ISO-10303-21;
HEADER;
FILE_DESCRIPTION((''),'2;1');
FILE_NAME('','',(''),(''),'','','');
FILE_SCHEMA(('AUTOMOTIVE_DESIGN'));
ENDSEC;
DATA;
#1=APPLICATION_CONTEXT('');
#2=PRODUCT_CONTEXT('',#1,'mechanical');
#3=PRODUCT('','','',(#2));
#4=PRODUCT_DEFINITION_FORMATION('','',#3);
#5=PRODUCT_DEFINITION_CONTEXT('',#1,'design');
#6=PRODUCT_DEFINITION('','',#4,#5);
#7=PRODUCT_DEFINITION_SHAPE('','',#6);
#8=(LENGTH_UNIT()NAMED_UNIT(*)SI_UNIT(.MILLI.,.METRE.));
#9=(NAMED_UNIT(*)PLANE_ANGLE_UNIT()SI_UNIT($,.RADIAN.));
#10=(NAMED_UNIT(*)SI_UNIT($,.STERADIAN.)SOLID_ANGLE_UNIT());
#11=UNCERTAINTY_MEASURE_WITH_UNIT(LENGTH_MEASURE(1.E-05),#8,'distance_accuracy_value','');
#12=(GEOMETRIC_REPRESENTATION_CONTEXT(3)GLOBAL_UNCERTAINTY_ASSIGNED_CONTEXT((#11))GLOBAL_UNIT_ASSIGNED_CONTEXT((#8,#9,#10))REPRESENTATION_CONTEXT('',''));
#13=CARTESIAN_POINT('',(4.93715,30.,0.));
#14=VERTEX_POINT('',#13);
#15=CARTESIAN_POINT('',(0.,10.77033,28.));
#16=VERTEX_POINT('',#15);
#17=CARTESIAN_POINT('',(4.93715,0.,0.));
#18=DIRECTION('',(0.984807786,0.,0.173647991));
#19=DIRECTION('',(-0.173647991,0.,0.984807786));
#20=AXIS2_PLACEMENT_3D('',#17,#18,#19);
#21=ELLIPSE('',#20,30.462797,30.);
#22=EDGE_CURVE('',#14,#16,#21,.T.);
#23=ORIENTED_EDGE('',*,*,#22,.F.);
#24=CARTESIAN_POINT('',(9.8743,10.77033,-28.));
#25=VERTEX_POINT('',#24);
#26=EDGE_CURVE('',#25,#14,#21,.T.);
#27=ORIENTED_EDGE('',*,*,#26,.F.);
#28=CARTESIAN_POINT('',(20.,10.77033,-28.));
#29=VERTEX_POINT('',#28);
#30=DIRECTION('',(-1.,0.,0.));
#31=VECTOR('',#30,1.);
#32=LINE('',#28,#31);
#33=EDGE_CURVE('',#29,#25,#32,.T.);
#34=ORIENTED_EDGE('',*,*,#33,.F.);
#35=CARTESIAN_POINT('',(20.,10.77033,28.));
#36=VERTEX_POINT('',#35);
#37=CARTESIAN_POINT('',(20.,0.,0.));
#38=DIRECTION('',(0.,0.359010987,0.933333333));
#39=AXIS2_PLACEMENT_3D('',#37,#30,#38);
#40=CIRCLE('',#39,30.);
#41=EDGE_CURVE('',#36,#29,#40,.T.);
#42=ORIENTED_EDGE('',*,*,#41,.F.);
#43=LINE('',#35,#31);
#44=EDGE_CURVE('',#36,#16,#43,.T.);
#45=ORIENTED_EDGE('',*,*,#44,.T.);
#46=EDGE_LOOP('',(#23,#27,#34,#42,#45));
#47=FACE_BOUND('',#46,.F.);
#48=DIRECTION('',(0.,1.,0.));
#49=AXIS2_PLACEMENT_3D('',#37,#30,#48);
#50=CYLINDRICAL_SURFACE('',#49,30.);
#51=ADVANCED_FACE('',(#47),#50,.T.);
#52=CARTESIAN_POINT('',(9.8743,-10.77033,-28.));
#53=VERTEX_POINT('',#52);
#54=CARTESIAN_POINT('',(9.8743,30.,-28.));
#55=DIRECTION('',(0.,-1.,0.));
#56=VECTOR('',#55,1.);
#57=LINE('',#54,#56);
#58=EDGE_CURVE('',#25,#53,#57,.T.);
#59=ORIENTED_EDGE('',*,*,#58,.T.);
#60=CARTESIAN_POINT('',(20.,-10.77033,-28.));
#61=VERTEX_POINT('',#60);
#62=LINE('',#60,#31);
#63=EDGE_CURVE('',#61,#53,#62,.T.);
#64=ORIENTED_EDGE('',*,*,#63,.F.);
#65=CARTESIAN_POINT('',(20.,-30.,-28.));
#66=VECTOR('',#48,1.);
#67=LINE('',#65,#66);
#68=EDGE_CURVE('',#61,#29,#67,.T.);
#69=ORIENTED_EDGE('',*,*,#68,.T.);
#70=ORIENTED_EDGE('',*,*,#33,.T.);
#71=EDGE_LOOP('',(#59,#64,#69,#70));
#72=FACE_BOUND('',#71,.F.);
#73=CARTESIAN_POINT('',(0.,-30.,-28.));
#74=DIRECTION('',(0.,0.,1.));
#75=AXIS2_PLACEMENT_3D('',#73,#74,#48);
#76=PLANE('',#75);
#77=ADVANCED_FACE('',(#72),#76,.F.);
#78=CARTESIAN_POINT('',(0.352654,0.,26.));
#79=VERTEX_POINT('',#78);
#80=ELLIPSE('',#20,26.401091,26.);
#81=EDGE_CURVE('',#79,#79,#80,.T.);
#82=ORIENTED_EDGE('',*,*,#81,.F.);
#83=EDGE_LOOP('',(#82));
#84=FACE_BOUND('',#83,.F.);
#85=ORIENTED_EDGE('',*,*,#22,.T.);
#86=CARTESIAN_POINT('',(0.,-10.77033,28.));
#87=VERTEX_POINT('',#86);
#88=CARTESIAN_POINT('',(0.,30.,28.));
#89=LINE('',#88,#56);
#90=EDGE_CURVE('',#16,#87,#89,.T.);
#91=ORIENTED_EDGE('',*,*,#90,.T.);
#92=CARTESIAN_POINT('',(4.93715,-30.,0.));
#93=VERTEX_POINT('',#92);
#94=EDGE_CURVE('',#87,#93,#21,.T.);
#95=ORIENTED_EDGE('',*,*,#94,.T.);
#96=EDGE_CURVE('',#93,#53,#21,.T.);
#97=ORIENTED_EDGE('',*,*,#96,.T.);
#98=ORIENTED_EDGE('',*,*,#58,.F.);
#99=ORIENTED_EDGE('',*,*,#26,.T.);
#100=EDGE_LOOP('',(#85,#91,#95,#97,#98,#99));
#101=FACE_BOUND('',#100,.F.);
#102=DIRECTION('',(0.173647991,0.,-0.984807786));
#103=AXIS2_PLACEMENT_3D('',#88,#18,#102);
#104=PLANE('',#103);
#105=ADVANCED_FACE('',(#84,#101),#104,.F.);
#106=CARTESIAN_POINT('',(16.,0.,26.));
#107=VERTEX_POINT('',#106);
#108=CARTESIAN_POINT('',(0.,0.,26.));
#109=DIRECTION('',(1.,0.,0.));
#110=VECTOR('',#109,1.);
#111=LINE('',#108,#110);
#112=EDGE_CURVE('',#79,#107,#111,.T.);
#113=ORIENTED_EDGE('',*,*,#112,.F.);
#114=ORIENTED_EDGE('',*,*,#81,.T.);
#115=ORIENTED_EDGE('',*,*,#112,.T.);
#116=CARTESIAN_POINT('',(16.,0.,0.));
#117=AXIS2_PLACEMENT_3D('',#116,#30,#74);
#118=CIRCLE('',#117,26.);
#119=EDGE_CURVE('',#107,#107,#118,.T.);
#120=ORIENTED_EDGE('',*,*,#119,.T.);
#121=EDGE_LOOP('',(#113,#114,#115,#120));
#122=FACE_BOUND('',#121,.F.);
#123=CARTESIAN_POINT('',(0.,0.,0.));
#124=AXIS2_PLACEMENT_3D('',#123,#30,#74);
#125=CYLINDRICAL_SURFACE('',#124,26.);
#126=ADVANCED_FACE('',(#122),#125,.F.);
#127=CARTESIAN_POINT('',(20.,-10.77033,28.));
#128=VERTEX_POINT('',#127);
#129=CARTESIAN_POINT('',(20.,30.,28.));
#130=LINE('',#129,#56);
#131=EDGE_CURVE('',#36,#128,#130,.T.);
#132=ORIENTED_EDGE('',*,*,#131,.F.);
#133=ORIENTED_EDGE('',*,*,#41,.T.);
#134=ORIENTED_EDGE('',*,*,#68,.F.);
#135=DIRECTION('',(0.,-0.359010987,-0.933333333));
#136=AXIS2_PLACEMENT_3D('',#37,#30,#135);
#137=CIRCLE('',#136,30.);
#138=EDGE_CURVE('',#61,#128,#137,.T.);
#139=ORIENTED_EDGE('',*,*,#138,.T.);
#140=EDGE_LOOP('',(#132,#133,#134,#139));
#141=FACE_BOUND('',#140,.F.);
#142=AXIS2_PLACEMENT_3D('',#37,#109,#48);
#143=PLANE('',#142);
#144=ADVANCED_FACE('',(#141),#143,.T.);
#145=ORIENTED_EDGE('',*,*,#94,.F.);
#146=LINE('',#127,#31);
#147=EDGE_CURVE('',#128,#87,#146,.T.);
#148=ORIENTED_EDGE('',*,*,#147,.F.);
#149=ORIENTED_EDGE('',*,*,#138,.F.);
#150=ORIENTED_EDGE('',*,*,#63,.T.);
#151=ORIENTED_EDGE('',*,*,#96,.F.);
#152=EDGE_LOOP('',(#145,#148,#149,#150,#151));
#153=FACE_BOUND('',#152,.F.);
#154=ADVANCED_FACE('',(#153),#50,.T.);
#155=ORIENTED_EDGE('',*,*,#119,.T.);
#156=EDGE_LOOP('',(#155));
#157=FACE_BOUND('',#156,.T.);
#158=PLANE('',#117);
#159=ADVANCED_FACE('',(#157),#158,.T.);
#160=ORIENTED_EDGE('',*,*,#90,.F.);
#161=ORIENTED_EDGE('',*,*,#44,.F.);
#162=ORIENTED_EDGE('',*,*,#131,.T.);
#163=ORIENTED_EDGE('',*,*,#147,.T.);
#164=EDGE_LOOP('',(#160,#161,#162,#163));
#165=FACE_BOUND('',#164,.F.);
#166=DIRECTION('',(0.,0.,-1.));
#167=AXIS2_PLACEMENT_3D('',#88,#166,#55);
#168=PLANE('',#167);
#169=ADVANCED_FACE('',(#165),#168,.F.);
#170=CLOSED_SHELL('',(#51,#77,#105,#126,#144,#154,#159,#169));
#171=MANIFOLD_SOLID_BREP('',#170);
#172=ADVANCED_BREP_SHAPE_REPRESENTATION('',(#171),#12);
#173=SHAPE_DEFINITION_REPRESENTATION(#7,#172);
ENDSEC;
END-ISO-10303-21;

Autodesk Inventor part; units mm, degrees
ref_plane "YZ Plane" through (0, 0, 0) normal (1, 0, 0) x (0, 1, 0)
ref_plane "XY Plane" through (0, 0, 0) normal (0, 0, 1) x (1, 0, 0)
sketch "Эскиз1" plane through (0, 0, 0) normal (0, 0, 1) x (1, 0, 0)
  line L0 (0, 0) -> (20, 0)
  line L1 (20, 0) -> (20, 30)
  line L2 (20, 30) -> (0, 30)
  line L3 (0, 30) -> (0, 0)
  dimension "d0" = 20
  dimension "d1" = 30
revolve "Вращение1" add sketch "Эскиз1" angle 360 about axis through (0, 0, 0) along (1, 0, 0)
sketch "Эскиз2" plane through (0, 0, 0) normal (-1, 0, 0) x (0, 0, 1)
  circle A0 centre (0, 0) radius 26
  dimension "d3" = 52
extrude "Выдавливание1" cut sketch "Эскиз2" against normal blind 16
sketch "Эскиз3" plane through (0, 0, 0) normal (-1, 0, 0) x (0, 0, 1)
  line L0 (28, -30) -> (-28, -30)
  line L1 (-28, -30) -> (-28, 30)
  line L2 (-28, 30) -> (28, 30)
  line L3 (28, 30) -> (28, -30)
  circle A0 centre (0, 0) radius 30 construction
  point P0 (0, 30)
  dimension "d6" = 56
extrude "Выдавливание2" cut sketch "Эскиз3" against normal blind 20 keep common part
ref_plane "РабПлоскость1" through (0, 30, 0) normal (0, 1, 0) x (-1, 0, 0)
sketch "Эскиз4" plane through (0, 30, 0) normal (0, 1, 0) x (-1, 0, 0)
  line L0 (-20, 28) -> (0, 28) construction
  line L1 (0, -28) -> (-20, -28) construction
  line L2 (0, -28) -> (0, 28) construction
  line L3 (-20, 28) -> (0, 28) projected
  line L4 (-20, -28) -> (-20, 28) construction
  line L5 (0, 28) -> (0, -28) projected
  line L6 (0, 28) -> (-9.8743, -28)
  line L7 (0, -28) -> (-20, -28) projected
  line L8 (0, -28) -> (-9.8743, -28)
  line L9 (0, -28) -> (0, 28)
  point P0 (0, 0)
  dimension "d10" = 10
extrude "Выдавливание3" cut sketch "Эскиз4" against normal blind 60
properties part number "711123"
